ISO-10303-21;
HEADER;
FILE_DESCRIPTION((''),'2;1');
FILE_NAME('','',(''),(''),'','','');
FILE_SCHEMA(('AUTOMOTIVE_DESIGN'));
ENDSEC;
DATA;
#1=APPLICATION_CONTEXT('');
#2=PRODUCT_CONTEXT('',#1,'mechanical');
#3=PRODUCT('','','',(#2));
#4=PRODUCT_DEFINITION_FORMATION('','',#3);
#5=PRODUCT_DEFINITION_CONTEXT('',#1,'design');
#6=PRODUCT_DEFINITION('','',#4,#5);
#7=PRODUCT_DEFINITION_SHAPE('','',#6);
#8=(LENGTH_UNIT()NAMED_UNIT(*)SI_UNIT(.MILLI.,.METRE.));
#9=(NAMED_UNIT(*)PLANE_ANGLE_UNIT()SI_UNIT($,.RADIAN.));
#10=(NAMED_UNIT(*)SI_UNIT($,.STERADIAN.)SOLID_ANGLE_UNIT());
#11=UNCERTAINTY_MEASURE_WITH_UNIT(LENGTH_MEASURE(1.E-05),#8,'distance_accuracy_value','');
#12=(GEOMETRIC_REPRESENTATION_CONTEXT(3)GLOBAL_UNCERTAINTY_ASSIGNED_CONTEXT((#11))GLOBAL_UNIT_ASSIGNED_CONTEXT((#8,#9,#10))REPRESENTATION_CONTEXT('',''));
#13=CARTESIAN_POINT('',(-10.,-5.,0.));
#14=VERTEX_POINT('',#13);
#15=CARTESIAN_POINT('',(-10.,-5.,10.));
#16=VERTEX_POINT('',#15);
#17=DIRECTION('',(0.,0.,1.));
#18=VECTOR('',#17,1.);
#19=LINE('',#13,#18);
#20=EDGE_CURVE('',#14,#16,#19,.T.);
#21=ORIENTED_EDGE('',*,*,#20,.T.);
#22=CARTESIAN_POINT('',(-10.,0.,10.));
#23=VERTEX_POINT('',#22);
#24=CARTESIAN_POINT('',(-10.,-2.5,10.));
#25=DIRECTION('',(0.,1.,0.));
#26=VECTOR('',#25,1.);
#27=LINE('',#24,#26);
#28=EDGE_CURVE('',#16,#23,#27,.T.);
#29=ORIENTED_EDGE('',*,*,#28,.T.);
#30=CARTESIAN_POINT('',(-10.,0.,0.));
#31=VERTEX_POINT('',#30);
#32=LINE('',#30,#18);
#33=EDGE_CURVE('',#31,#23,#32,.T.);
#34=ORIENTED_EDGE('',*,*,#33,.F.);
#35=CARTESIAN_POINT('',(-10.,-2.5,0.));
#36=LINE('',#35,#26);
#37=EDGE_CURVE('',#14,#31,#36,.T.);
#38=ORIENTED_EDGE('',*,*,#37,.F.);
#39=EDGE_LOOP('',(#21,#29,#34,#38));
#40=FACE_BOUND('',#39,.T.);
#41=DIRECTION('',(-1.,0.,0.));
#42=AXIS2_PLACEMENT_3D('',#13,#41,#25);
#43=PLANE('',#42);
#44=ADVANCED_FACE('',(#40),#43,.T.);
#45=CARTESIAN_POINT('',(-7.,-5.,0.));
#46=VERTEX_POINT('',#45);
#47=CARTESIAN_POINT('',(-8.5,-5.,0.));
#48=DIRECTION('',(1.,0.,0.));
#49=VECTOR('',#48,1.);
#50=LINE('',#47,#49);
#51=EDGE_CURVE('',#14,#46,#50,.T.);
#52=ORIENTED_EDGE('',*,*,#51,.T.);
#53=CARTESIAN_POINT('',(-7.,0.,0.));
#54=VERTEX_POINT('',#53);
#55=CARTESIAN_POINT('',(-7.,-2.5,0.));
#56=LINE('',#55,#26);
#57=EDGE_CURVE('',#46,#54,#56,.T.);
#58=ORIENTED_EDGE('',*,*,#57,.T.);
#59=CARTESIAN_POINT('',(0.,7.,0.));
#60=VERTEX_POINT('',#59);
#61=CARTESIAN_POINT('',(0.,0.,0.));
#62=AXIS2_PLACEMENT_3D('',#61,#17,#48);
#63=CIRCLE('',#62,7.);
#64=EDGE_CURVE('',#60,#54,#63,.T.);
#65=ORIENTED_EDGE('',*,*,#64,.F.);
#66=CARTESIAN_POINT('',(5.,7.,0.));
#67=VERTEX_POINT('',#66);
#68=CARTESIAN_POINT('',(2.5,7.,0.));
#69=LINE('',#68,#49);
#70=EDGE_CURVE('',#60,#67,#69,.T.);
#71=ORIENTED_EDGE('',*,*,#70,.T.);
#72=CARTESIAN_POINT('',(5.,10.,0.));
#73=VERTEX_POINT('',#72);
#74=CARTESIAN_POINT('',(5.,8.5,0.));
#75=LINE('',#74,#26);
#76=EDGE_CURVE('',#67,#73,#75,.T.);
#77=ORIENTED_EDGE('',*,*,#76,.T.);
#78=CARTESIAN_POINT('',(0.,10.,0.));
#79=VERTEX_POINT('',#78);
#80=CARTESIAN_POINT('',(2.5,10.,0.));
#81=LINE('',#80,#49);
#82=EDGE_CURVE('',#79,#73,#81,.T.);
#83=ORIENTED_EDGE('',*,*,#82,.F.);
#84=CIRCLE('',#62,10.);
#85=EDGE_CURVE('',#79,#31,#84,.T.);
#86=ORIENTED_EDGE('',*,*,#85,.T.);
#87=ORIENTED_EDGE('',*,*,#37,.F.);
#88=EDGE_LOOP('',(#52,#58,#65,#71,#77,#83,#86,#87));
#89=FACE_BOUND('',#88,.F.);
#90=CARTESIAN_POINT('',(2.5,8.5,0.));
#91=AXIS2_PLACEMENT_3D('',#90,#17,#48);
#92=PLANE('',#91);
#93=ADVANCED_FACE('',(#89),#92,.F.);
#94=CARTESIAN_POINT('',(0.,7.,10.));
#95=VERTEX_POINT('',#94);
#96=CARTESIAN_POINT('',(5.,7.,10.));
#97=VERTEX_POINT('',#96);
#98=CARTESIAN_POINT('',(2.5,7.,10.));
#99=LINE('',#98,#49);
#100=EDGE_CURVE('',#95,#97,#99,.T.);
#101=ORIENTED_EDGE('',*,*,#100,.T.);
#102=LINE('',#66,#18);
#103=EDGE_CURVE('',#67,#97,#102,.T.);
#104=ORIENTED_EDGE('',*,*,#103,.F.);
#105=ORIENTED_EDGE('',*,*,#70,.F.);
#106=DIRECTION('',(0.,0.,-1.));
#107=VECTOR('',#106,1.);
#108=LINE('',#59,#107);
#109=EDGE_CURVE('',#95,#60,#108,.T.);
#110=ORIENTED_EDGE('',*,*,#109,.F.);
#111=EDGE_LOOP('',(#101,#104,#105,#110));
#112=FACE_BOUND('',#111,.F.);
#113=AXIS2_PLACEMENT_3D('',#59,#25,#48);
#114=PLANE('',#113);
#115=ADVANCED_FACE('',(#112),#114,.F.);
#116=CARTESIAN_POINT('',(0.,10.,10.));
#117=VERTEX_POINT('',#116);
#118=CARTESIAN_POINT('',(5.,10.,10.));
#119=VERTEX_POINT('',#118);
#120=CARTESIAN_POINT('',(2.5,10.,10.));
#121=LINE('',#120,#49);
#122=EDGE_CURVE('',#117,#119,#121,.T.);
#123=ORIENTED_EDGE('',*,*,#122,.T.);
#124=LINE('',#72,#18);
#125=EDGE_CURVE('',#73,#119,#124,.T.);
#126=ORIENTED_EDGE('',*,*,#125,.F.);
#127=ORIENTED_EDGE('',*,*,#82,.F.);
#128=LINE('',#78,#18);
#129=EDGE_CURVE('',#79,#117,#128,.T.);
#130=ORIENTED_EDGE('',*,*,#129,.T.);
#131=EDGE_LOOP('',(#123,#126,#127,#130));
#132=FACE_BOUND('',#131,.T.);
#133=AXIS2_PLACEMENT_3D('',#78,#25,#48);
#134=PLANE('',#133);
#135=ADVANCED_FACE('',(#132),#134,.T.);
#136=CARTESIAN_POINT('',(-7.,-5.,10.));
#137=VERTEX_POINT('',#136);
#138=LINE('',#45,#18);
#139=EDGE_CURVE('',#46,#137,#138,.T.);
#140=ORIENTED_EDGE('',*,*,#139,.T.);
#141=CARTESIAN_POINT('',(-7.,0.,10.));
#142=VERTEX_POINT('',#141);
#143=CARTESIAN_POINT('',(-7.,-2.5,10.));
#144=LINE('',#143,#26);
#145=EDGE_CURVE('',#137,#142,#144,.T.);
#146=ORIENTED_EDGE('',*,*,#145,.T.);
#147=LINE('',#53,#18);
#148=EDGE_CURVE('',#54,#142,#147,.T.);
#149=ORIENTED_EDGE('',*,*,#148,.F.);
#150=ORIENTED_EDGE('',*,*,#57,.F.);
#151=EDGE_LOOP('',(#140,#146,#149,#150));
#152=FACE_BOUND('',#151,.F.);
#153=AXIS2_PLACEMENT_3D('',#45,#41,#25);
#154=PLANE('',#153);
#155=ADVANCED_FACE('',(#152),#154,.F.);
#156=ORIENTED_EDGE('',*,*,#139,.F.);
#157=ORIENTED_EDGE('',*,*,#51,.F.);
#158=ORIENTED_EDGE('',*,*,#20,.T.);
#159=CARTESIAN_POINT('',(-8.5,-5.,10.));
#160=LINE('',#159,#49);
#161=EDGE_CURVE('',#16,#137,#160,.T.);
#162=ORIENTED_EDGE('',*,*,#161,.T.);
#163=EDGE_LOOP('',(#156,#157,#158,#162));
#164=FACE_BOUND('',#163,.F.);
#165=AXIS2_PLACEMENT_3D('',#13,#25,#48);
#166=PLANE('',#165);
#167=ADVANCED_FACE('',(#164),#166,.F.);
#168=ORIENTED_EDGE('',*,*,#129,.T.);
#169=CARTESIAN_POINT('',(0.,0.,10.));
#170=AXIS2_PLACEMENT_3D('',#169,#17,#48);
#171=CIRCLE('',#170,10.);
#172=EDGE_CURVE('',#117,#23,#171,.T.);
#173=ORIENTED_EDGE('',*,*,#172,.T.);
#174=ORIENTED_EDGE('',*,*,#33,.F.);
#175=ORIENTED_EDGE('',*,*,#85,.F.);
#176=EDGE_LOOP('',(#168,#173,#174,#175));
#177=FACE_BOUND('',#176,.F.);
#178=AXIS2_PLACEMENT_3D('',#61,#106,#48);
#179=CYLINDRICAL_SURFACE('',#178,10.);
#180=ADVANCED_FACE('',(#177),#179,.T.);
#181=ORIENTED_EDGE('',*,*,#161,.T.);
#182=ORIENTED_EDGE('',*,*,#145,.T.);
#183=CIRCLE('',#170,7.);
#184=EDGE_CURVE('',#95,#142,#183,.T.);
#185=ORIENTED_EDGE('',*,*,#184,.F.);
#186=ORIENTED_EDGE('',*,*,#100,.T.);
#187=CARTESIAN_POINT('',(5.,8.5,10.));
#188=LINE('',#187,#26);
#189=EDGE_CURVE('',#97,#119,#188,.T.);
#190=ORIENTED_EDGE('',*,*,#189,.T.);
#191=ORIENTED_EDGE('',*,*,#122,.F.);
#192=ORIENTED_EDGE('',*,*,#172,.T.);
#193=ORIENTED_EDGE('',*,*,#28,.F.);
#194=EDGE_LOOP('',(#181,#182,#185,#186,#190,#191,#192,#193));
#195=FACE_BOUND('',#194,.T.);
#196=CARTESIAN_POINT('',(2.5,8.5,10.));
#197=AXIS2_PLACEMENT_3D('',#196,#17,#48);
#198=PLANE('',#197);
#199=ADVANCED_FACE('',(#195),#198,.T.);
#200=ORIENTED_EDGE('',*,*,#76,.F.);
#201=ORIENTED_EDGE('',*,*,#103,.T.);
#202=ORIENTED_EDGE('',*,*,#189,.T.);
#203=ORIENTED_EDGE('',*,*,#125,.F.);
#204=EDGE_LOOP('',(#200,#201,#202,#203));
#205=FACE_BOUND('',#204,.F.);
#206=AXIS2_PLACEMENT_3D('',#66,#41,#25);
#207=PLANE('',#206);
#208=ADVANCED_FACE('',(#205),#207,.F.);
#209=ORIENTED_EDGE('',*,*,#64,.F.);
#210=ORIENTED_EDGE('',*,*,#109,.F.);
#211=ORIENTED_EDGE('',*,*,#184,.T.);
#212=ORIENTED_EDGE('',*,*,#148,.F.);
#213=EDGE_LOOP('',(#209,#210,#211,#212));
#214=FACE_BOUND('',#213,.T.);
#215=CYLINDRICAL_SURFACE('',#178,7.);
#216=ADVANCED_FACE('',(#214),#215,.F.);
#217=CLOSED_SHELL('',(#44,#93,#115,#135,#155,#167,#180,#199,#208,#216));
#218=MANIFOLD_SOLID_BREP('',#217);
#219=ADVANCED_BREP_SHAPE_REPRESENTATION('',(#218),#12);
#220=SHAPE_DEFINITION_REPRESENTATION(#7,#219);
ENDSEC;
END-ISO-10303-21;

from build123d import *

# Parameters (mm, degrees)
BOX035_W          = 10
BOX035_H          = 10
BOX035_DEPTH      = 10
BOX034_W          = 20
BOX034_H          = 10
BOX034_DEPTH      = 10
CYLINDER060_R     = 7
CYLINDER060_DEPTH = 10
CYLINDER059_R     = 10
CYLINDER059_DEPTH = 10
BOX033_W          = 5
BOX033_H          = 3
BOX033_DEPTH      = 10
BOX032_W          = 3
BOX032_H          = 5
BOX032_DEPTH      = 10


with BuildPart() as cube034:
    # Box035 → Box035 (new body)
    with BuildSketch(Plane.XY):
        with Locations((5, 5)):
            Rectangle(BOX035_W, BOX035_H)
    extrude(amount=BOX035_DEPTH)


with BuildPart() as cube033:
    # Box034 → Box034 (new body)
    with BuildSketch(Plane(origin=(-10, -10, 0), x_dir=(1, 0, 0), z_dir=(0, 0, 1))):
        with Locations((10, 5)):
            Rectangle(BOX034_W, BOX034_H)
    extrude(amount=BOX034_DEPTH)


with BuildPart() as cylinder055:
    # Cylinder060 → Cylinder060 (new body)
    with BuildSketch(Plane.XY):
        Circle(CYLINDER060_R)
    extrude(amount=CYLINDER060_DEPTH)


with BuildPart() as cut013003032015:
    # Cylinder059 → Cylinder059 (new body)
    with BuildSketch(Plane.XY):
        Circle(CYLINDER059_R)
    extrude(amount=CYLINDER059_DEPTH)

    # Cut013003032013: cut Cylinder055
    add(cylinder055.part, mode=Mode.SUBTRACT)

    # Cut013003032014: cut Cube033
    add(cube033.part, mode=Mode.SUBTRACT)

    # Cut013003032015: cut Cube034
    add(cube034.part, mode=Mode.SUBTRACT)


with BuildPart() as cube032:
    # Box033 → Box033 (new body)
    with BuildSketch(Plane(origin=(0, 7, 0), x_dir=(1, 0, 0), z_dir=(0, 0, 1))):
        with Locations((2.5, 1.5)):
            Rectangle(BOX033_W, BOX033_H)
    extrude(amount=BOX033_DEPTH)


with BuildPart() as corner_cut:
    # Box032 → Box032 (new body)
    with BuildSketch(Plane(origin=(-10, -5, 0), x_dir=(1, 0, 0), z_dir=(0, 0, 1))):
        with Locations((1.5, 2.5)):
            Rectangle(BOX032_W, BOX032_H)
    extrude(amount=BOX032_DEPTH)

    # Fusion003025020005006: union Cut013003032015, Cube032
    add(cut013003032015.part)
    add(cube032.part)


solid = corner_cut.part
